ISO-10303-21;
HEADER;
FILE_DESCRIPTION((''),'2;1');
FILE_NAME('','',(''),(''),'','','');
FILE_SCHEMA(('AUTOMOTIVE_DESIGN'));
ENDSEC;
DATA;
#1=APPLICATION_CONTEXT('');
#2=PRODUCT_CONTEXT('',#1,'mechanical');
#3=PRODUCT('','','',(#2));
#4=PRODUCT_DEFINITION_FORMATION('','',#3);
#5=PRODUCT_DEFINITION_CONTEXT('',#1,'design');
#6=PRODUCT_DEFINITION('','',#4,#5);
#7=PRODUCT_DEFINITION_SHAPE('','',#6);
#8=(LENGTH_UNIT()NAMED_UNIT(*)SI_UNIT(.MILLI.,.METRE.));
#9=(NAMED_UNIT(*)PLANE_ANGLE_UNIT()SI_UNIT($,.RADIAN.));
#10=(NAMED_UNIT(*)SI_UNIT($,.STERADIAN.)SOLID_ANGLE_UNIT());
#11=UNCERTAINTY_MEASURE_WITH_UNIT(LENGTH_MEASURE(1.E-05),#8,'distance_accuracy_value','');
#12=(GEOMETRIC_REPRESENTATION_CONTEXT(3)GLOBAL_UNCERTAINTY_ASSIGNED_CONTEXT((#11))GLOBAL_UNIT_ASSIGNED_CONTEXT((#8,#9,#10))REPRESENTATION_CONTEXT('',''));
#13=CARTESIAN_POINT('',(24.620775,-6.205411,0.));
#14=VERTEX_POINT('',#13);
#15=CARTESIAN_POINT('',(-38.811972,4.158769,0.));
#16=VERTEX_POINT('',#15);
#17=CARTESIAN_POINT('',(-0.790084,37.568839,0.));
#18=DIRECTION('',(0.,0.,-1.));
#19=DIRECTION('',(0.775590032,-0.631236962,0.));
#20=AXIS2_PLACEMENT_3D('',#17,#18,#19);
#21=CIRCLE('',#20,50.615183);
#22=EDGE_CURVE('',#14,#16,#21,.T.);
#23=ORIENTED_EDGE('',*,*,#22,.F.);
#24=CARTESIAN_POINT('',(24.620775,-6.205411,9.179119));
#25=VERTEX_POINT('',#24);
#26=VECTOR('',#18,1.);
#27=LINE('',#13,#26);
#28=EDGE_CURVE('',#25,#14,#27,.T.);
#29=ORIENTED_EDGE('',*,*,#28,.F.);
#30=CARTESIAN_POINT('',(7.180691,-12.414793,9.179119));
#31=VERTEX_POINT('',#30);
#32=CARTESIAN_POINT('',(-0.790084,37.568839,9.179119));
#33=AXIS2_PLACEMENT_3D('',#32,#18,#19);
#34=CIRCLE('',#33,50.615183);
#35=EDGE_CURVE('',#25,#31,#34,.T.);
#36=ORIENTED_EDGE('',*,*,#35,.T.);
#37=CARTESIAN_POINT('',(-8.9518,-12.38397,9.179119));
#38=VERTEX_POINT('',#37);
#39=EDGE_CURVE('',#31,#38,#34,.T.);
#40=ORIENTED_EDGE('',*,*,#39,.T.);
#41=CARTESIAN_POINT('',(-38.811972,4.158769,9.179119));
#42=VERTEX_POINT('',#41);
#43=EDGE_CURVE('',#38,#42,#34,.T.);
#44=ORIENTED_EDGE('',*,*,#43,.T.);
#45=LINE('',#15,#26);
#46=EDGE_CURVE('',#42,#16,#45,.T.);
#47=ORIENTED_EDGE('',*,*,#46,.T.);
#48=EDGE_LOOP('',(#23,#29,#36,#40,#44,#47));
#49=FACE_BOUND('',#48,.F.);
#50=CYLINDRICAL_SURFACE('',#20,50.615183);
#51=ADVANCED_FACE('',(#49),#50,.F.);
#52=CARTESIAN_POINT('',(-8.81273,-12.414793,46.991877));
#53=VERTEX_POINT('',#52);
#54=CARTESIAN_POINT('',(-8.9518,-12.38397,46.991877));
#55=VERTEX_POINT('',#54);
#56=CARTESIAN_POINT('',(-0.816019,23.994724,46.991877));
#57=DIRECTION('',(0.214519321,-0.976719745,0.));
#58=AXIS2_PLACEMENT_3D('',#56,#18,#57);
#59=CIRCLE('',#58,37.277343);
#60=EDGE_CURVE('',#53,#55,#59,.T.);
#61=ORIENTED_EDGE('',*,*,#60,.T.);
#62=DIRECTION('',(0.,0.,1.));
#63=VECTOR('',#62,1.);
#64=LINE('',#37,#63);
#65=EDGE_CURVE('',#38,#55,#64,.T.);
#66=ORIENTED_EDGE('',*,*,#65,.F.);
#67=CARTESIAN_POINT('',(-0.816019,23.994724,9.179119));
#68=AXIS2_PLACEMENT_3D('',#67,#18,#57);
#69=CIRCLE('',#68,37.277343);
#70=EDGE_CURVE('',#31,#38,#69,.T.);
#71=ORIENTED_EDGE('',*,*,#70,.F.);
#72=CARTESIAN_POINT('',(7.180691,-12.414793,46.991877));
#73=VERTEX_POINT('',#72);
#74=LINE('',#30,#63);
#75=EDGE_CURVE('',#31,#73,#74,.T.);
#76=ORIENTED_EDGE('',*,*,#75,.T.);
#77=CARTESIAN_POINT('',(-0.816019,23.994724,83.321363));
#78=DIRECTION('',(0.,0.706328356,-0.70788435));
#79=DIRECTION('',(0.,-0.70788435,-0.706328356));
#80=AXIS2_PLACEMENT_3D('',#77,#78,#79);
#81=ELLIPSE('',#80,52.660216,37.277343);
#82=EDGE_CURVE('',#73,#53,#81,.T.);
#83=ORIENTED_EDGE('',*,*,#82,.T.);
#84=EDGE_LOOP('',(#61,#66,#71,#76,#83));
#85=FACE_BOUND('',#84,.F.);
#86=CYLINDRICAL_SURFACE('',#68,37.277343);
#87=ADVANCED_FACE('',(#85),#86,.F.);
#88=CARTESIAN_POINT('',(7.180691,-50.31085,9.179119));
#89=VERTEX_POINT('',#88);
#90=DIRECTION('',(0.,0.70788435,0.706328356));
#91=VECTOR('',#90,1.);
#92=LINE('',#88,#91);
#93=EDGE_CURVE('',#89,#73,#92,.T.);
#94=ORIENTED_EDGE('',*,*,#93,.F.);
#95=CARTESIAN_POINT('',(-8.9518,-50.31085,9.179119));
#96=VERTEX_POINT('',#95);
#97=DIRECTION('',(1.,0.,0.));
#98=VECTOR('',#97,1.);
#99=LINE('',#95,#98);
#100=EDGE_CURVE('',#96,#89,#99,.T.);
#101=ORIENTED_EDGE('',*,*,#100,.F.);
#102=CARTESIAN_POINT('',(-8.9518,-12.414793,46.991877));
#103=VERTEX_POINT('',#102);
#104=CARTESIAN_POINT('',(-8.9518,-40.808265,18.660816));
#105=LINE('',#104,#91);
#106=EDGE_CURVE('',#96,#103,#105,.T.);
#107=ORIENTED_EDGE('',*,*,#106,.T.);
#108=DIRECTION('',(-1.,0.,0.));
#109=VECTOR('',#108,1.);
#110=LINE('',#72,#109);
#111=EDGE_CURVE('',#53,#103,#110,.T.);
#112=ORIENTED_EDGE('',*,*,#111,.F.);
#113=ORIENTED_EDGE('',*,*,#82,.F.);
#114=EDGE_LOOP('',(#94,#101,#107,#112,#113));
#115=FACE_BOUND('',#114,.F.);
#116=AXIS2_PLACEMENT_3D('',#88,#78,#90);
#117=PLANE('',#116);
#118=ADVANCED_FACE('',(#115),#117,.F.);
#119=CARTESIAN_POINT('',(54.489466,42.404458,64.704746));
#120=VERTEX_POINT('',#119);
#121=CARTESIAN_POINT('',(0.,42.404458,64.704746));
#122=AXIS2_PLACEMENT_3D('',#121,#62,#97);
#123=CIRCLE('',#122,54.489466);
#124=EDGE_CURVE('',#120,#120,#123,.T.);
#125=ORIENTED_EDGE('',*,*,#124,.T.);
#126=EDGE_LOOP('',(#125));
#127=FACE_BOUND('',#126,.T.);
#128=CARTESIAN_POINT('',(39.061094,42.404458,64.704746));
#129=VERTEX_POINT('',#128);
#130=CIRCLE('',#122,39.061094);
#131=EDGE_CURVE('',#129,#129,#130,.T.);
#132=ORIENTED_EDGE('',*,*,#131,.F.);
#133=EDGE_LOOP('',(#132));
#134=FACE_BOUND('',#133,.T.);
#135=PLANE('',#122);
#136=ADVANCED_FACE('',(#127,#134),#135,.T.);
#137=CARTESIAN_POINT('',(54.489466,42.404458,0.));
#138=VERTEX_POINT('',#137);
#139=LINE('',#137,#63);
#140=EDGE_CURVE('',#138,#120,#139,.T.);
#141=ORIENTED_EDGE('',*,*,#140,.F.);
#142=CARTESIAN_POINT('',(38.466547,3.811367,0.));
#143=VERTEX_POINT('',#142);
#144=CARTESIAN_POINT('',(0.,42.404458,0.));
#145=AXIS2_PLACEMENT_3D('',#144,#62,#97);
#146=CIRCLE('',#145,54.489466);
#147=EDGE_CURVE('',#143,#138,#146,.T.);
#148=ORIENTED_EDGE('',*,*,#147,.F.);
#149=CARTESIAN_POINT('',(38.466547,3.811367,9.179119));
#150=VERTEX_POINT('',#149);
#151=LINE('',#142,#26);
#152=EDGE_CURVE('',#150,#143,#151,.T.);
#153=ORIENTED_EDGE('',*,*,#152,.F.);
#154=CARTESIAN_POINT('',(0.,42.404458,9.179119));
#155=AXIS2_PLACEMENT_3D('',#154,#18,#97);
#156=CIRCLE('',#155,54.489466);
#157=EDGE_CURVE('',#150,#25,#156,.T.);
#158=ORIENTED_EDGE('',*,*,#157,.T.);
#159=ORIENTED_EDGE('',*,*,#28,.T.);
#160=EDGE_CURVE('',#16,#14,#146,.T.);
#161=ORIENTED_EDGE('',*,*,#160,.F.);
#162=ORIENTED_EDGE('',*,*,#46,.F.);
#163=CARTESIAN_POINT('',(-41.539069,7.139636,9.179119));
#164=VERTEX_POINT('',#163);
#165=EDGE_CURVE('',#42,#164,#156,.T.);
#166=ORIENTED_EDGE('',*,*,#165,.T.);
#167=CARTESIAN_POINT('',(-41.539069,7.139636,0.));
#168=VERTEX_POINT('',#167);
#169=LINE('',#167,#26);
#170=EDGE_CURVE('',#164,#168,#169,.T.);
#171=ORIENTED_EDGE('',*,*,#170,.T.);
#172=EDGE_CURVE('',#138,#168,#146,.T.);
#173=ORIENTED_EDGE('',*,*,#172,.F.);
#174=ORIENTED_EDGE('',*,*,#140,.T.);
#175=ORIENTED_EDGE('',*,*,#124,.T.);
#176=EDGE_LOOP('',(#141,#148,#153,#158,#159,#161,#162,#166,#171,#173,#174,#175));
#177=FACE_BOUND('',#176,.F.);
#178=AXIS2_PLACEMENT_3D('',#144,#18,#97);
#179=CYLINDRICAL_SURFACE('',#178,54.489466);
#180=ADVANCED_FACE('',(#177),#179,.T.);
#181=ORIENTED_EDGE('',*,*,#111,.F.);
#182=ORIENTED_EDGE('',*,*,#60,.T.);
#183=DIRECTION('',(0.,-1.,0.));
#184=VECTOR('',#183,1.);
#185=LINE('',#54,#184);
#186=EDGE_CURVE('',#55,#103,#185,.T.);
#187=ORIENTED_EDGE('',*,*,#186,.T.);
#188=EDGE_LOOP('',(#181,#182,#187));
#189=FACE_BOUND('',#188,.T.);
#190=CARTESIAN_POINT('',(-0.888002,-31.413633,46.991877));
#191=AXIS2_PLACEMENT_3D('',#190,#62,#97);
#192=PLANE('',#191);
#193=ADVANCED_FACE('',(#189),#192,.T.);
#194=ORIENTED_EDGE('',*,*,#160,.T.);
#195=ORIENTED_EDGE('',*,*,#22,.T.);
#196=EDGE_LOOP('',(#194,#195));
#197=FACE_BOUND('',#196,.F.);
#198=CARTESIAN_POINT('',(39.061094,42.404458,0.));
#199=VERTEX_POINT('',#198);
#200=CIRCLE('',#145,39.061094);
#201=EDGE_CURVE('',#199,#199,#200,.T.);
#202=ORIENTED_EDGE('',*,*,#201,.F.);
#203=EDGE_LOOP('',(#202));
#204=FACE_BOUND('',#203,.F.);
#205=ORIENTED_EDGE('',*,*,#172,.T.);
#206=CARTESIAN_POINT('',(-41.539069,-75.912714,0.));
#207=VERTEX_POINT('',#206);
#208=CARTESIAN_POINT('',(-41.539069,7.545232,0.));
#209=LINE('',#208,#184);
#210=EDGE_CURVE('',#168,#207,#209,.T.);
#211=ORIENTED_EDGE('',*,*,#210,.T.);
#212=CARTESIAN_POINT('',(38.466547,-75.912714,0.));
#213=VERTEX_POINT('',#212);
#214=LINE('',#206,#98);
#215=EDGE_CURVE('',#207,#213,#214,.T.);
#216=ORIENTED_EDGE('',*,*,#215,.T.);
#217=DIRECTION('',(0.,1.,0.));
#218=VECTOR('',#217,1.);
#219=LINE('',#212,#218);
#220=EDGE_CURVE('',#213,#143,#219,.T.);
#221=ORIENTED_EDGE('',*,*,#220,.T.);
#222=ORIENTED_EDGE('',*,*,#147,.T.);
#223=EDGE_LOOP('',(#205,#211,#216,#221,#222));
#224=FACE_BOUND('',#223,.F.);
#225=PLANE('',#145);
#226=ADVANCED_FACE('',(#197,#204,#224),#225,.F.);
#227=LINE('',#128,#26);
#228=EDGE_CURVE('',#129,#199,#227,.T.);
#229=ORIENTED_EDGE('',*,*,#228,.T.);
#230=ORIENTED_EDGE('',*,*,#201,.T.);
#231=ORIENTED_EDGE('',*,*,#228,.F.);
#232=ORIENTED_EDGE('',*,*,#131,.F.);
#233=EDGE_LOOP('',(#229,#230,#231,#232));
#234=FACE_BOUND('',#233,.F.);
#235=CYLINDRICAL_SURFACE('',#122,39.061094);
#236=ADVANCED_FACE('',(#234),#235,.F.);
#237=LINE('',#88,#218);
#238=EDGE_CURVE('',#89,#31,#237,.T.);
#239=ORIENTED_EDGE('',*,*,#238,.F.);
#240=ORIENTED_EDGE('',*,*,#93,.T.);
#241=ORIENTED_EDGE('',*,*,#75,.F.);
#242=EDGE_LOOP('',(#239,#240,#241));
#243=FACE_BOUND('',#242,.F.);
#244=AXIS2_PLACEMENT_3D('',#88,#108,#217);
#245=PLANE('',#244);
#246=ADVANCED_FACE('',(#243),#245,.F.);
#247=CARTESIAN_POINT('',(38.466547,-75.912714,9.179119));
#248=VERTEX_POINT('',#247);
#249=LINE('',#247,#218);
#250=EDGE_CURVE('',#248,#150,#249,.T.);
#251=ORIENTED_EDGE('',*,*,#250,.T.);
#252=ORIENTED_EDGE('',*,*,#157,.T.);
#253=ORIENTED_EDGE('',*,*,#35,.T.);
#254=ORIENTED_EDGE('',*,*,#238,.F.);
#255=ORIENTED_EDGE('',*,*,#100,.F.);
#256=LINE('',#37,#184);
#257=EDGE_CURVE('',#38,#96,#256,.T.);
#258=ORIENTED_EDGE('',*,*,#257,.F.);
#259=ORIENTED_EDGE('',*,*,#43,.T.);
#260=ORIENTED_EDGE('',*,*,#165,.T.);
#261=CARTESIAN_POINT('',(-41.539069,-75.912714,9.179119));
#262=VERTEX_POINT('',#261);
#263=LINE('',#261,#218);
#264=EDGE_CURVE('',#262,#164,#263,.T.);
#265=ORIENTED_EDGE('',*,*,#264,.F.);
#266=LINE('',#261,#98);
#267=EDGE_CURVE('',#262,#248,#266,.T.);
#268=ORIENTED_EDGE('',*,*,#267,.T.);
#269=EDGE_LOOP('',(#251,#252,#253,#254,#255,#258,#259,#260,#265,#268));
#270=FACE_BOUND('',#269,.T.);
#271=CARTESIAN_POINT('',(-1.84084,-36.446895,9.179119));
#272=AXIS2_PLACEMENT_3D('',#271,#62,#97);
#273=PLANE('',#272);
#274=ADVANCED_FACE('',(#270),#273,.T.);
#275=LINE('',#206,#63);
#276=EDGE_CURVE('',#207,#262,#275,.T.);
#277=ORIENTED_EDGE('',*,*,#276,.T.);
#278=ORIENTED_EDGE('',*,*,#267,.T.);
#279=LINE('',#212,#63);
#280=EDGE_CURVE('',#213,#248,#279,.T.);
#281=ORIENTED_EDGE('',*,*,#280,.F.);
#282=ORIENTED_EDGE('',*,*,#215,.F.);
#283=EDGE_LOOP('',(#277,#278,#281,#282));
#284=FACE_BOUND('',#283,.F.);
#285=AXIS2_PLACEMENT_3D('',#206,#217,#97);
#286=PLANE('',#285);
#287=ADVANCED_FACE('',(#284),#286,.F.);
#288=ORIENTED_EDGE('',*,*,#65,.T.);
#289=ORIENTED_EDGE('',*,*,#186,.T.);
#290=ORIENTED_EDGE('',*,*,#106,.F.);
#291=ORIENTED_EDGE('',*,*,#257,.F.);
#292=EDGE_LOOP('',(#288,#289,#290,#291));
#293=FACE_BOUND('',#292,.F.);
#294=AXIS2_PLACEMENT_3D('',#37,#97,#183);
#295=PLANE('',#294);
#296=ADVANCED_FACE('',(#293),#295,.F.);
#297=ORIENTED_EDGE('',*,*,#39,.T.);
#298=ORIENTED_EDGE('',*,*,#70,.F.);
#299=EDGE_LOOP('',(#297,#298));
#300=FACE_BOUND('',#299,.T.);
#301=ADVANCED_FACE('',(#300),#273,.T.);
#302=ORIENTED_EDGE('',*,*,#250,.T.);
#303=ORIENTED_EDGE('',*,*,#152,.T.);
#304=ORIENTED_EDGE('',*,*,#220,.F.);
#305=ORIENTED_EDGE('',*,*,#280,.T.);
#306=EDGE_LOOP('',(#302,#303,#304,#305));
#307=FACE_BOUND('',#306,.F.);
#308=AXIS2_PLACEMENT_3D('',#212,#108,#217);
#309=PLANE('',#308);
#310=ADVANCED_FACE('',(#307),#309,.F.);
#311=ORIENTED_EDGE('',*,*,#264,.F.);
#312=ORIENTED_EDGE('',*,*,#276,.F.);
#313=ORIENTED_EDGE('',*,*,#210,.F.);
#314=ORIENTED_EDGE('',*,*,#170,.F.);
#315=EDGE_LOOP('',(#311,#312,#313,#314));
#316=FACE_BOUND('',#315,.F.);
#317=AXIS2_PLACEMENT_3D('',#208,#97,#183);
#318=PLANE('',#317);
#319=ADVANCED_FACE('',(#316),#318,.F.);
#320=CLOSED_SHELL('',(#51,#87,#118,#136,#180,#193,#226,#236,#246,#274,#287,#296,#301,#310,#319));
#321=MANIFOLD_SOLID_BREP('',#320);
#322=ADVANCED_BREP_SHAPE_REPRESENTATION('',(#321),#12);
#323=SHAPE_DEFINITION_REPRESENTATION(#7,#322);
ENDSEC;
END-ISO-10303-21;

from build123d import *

# Parameters (mm, degrees)
F0_R     = 54.489466
F1_DEPTH = 64.704746
F2_R     = 39.061094
F3_DEPTH = 64.705746
F5_DEPTH = 9.179119
F7_DEPTH = 37.812758
F9_DEPTH = 61.671157


with BuildPart() as f1:
    # F0 (on Top) → F1 (new body)
    with BuildSketch(Plane.XY):
        with Locations((0, 42.404458)):
            Circle(F0_R)
    extrude(amount=F1_DEPTH)

    # F2 (on face) → F3 (cut, through all)
    with BuildSketch(Plane.XY.offset(64.704746)):
        with Locations((0, 42.404458)):
            Circle(F2_R)
    extrude(amount=-F3_DEPTH, mode=Mode.SUBTRACT)

    # F4 (on Top) → F5 (join)
    with BuildSketch(Plane.XY):
        with BuildLine():
            ThreePointArc((38.466547, 5.618665), (-2.008565, -13.031675), (-41.539069, 7.545232))
            Line((-41.539069, 7.545232), (-41.539069, -75.912714))
            Line((-41.539069, -75.912714), (38.466547, -75.912714))
            Line((38.466547, -75.912714), (38.466547, 5.618665))
        make_face()
    extrude(amount=F5_DEPTH)

    # F6 (on face) → F7 (join)
    with BuildSketch(Plane.XY.offset(9.179119)):
        with BuildLine():
            ThreePointArc((7.180691, -12.414793), (-0.887242, -13.282551), (-8.9518, -12.38397))
            Line((-8.9518, -12.38397), (-8.9518, -50.31085))
            Line((-8.9518, -50.31085), (7.180691, -50.31085))
            Line((7.180691, -50.31085), (7.180691, -12.414793))
        make_face()
    extrude(amount=F7_DEPTH)

    # F8 (on face) → F9 (cut, through all)
    with BuildSketch(Plane.YZ.offset(7.180691)):
        Polygon((-50.31085, 9.179119), (-12.414793, 46.991877), (-50.31085, 46.991877), align=None)
    extrude(amount=-F9_DEPTH, mode=Mode.SUBTRACT)


solid = f1.part
